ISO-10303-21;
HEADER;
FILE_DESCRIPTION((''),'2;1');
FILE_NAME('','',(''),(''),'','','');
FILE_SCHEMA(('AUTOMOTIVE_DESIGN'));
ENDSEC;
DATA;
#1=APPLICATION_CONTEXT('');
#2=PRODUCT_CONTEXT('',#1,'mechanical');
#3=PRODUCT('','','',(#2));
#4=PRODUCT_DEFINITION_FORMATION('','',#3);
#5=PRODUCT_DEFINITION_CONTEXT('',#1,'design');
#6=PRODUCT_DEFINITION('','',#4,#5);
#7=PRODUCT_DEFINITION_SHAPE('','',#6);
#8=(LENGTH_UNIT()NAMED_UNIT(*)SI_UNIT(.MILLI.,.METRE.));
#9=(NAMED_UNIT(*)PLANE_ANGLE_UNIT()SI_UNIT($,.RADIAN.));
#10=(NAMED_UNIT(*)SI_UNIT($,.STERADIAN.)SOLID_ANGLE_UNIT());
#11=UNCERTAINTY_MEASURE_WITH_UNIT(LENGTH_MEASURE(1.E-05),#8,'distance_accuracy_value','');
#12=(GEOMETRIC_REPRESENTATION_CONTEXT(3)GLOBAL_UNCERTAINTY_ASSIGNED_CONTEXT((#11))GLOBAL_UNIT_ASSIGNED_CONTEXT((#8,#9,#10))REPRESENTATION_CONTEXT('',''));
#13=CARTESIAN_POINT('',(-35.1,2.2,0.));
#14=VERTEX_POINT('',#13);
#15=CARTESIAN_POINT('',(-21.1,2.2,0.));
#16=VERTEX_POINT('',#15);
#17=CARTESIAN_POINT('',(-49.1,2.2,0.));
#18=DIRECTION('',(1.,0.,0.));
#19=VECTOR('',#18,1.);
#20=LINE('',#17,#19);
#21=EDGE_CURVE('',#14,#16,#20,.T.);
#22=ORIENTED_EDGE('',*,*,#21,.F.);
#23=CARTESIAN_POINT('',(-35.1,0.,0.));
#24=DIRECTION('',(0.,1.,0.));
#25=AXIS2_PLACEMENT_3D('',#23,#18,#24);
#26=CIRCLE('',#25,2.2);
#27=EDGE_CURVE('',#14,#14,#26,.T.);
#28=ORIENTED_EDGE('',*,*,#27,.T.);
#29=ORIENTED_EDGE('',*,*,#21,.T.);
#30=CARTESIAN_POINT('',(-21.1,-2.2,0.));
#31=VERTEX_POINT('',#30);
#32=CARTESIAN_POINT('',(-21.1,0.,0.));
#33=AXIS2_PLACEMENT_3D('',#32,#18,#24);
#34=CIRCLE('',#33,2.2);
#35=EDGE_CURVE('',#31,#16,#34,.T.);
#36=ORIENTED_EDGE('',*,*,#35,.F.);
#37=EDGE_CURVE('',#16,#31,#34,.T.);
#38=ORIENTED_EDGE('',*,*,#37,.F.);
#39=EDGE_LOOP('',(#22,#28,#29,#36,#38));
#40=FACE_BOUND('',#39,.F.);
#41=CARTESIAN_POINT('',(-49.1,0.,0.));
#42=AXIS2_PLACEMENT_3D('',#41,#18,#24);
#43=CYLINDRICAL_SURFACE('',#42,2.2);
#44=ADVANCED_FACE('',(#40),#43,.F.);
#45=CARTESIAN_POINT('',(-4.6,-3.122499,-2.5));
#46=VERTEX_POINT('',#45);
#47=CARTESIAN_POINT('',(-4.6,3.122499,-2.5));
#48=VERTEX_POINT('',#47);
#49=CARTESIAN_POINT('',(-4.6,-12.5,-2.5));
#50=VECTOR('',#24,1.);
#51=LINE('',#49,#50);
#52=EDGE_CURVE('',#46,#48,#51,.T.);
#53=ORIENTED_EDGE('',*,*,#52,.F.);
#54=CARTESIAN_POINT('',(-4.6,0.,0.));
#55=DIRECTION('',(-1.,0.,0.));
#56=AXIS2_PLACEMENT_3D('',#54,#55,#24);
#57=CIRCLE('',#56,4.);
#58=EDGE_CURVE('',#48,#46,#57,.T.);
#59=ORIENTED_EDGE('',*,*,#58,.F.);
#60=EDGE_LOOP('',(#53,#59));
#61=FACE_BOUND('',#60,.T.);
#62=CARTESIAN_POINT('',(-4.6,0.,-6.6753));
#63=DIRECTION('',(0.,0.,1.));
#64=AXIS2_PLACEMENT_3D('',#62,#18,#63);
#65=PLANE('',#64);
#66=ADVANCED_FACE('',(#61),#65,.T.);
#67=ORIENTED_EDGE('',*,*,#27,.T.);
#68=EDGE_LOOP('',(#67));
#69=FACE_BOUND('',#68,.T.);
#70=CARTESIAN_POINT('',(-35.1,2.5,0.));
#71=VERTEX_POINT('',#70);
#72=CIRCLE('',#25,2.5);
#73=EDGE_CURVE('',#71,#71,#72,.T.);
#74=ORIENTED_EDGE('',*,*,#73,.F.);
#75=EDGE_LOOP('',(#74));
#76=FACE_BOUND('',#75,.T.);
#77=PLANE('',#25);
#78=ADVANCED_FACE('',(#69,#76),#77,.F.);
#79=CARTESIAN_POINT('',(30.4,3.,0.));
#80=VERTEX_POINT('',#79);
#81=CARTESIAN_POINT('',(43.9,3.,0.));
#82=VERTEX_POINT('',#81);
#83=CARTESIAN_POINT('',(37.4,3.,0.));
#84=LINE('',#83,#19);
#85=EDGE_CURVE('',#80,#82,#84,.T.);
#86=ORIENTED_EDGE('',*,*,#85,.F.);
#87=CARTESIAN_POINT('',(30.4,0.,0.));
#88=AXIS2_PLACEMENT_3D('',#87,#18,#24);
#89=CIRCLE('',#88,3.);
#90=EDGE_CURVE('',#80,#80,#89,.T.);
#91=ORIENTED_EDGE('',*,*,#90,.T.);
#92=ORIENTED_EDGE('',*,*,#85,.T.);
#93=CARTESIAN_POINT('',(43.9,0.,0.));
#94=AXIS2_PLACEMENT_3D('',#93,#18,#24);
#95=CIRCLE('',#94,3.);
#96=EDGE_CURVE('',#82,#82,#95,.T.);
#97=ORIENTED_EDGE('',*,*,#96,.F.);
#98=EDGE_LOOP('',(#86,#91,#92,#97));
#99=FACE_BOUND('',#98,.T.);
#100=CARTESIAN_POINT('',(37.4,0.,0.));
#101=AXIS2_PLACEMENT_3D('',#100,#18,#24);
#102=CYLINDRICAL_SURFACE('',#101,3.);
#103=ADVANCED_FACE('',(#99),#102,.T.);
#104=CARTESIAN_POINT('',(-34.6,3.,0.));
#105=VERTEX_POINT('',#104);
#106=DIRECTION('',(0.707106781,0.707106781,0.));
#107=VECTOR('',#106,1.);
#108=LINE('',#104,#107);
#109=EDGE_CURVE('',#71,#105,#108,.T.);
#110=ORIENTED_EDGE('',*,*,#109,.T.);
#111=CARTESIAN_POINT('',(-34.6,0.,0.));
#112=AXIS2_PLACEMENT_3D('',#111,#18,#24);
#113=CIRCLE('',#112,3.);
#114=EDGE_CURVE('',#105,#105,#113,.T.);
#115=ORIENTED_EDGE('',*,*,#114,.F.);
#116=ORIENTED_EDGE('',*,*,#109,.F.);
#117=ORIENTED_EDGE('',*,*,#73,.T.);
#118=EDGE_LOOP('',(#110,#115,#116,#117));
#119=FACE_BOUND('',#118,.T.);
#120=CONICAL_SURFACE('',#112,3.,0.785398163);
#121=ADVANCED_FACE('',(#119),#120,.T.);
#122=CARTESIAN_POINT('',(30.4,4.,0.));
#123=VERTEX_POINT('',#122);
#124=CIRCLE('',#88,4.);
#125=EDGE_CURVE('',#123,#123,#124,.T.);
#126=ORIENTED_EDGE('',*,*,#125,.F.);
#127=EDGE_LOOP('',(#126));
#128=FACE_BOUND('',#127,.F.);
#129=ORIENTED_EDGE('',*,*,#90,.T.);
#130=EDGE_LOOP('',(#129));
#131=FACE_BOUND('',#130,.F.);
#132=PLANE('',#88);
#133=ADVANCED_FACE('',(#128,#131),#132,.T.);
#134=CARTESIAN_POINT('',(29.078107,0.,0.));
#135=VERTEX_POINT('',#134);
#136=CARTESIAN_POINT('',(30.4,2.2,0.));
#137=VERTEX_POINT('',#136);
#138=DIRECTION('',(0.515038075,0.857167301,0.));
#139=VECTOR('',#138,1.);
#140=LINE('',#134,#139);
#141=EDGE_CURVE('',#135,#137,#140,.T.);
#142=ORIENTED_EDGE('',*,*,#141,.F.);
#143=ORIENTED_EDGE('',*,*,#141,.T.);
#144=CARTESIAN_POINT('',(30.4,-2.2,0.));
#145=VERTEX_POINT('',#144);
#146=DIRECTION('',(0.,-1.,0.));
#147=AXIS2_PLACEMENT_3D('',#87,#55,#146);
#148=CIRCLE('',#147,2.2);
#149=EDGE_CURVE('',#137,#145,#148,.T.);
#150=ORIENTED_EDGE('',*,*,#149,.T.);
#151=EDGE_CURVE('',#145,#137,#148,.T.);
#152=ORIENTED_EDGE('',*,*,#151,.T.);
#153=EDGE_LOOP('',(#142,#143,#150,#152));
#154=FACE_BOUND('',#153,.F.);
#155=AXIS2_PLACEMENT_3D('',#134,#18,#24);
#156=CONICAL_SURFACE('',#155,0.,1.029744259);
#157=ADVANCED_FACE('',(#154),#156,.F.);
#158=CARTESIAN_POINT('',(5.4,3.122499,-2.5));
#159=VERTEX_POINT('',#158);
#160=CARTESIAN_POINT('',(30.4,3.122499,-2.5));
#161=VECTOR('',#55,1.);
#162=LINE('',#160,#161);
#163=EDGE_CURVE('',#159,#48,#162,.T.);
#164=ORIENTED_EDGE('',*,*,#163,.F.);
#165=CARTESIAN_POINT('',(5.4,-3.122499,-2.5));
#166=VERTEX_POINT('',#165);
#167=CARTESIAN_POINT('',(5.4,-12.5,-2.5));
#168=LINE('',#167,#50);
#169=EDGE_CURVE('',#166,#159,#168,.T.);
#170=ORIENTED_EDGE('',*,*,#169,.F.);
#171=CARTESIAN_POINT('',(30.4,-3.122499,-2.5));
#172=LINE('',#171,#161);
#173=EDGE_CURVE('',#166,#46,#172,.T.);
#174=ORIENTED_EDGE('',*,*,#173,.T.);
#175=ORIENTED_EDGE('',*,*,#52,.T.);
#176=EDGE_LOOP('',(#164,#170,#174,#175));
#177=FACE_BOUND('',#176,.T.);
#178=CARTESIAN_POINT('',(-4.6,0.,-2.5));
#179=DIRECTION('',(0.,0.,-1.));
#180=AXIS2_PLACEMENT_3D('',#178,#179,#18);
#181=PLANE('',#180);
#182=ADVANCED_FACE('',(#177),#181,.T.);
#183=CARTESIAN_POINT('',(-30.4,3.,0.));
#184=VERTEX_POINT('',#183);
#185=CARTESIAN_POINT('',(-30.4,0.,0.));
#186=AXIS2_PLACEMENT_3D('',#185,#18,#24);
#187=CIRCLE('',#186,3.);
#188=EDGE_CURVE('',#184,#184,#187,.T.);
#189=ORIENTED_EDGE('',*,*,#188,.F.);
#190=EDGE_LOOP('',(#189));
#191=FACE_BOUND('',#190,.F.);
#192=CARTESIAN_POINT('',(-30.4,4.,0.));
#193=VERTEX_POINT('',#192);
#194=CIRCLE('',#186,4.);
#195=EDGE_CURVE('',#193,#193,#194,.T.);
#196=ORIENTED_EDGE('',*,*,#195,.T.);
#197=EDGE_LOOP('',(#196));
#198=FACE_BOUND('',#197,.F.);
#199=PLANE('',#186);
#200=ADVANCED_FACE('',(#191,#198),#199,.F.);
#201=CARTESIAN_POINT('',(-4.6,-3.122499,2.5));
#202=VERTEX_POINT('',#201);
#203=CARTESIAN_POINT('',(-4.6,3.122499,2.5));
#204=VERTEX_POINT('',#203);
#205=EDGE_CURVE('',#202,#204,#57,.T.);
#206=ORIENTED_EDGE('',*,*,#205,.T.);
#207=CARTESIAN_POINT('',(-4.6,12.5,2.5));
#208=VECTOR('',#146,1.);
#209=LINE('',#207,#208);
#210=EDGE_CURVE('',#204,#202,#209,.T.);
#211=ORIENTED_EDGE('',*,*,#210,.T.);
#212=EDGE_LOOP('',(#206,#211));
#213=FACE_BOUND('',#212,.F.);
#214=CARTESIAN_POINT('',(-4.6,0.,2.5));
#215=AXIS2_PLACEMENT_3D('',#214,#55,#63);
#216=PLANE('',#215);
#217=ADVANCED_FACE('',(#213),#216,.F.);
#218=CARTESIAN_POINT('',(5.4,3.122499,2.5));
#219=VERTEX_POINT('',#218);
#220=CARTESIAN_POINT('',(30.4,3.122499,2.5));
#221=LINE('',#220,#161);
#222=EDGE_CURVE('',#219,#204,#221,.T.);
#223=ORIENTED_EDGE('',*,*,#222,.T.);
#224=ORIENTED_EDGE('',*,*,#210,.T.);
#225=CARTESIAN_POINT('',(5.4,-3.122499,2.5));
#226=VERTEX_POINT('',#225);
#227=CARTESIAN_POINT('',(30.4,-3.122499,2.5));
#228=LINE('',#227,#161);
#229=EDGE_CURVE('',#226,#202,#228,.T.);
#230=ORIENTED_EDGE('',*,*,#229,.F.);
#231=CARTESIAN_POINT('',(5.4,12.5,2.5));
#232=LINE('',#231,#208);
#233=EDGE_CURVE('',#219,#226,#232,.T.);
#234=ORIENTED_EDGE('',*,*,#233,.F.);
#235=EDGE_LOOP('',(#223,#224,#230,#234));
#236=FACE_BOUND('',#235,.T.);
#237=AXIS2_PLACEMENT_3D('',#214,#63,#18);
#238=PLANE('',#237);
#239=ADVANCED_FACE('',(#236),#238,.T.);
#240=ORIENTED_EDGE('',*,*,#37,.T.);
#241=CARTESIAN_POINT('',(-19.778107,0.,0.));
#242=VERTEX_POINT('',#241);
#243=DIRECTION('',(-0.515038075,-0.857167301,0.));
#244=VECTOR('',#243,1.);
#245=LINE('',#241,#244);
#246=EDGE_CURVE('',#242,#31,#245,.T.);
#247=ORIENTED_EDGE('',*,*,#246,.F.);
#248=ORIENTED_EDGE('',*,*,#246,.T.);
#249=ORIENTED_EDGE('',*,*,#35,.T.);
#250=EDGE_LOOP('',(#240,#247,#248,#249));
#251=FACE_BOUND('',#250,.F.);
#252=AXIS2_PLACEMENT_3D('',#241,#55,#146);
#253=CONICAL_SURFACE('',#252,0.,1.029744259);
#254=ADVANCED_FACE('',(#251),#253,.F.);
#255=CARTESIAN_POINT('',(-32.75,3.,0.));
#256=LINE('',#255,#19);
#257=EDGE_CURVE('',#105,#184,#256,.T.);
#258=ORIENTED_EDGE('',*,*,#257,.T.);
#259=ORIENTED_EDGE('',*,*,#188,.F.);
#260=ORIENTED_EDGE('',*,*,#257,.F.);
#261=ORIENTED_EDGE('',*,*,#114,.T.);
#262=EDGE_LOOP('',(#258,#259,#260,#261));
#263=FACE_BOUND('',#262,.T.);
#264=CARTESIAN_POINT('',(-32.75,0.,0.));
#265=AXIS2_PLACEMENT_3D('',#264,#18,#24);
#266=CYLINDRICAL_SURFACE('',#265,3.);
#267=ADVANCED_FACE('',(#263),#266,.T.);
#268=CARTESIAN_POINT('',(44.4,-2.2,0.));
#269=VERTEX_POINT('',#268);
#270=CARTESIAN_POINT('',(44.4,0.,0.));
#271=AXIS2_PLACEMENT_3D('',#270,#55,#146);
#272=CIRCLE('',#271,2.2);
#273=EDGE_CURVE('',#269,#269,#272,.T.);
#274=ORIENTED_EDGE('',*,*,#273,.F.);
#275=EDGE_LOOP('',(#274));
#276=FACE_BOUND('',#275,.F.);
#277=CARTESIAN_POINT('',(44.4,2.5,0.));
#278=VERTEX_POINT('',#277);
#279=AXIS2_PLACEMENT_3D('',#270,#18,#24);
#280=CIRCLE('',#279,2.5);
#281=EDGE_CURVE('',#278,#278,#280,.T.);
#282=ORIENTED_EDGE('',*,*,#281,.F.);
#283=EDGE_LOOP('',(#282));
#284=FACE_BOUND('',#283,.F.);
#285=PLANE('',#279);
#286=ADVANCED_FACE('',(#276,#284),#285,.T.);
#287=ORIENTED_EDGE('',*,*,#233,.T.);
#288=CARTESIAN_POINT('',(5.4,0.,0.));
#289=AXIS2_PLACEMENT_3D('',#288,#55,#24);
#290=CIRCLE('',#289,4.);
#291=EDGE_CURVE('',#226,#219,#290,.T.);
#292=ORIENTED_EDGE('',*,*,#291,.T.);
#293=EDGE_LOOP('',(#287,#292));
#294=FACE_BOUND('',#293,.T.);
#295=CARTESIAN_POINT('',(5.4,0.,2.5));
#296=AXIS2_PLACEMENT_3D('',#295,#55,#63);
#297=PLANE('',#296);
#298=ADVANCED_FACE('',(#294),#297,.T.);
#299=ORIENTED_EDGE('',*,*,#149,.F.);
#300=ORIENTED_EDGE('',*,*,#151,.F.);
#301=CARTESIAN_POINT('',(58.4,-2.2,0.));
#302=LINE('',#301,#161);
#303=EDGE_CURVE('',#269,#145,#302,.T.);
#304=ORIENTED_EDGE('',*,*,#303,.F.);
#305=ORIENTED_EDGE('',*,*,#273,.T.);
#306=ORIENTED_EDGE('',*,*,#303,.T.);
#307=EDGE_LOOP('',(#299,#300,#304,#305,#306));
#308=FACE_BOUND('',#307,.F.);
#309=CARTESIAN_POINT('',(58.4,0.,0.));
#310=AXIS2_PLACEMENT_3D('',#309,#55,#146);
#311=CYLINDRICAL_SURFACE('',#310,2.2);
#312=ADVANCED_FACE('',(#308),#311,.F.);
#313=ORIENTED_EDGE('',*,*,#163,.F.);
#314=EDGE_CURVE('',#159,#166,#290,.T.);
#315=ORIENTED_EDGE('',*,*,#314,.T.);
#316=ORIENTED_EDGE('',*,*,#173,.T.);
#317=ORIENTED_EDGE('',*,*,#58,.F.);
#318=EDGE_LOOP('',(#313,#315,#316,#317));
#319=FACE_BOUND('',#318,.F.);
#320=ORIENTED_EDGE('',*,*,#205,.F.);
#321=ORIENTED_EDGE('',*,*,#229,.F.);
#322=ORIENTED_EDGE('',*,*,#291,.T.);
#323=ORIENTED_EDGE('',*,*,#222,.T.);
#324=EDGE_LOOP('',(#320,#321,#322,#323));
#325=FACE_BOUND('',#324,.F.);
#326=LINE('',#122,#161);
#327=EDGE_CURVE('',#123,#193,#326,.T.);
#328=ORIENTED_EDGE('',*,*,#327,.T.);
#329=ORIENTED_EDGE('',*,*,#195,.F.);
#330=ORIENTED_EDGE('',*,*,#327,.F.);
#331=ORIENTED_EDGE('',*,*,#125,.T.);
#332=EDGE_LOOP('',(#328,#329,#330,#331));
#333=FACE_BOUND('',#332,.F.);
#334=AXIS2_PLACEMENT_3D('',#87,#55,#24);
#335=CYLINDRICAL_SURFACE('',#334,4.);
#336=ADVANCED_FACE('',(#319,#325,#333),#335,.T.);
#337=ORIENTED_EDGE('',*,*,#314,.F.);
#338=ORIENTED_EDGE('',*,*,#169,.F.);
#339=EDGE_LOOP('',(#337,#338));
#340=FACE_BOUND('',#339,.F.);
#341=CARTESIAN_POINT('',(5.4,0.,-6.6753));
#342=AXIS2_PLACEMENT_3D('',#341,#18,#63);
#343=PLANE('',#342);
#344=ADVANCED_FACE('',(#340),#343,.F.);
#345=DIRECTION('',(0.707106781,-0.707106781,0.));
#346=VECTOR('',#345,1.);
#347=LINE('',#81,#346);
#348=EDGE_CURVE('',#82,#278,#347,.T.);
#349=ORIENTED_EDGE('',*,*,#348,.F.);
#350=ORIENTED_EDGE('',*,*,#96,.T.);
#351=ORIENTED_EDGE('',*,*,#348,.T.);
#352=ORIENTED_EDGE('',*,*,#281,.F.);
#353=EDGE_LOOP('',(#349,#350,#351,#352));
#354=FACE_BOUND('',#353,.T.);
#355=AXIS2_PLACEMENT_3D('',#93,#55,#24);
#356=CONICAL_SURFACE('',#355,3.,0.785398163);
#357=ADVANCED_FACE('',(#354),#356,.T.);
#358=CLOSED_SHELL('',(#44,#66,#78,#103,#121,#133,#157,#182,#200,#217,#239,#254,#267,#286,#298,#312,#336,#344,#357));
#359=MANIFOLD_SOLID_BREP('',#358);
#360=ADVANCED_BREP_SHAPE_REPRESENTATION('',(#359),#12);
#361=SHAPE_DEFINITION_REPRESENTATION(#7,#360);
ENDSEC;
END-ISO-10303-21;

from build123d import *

# Parameters (mm, degrees)
F0_W     = 4.7
F0_H     = 3
F0_W_2   = 14
F2_W     = 10
F2_H     = 4.175300472
F3_DEPTH = 12.5
F5_D     = 4.4
F5_DEPTH = 14
F5_TIP   = 1.3218933619
F7_D     = 4.4
F7_DEPTH = 14
F7_TIP   = 1.3218933619
F8_SIZE  = 0.5


with BuildPart() as f1:
    # F0 (on Top) → F1 (revolve)
    with BuildSketch(Plane.XY):
        with Locations((-32.75, 1.5)):
            Rectangle(F0_W, F0_H)
        Polygon((30.4, 3), (30.4, 4), (-30.4, 4), (-30.4, 3), (-30.4, 0), (30.4, 0), align=None)
        with Locations((37.4, 1.5)):
            Rectangle(F0_W_2, F0_H)
    revolve(axis=Axis((3.1452495605, 0, 0), (1, 0, 0)))

    # F2 (on Front) → F3 (cut, symmetric)
    with BuildSketch(Plane.XZ):
        with Locations((0.4, 4.587650236)):
            Rectangle(F2_W, F2_H)
        with Locations((0.4, -4.587650236)):
            Rectangle(F2_W, F2_H)
    extrude(amount=F3_DEPTH, both=True, mode=Mode.SUBTRACT)

    # F5
    with Locations(Plane.YZ.offset(44.4)):
        with Locations((0, 0)):
            Hole(F5_D / 2, depth=F5_DEPTH)
            with Locations((0, 0, -(F5_DEPTH + F5_TIP / 2))):  # 118° drill point
                Cone(0, F5_D / 2, F5_TIP, mode=Mode.SUBTRACT)

    # F7
    with Locations(Plane(origin=(-35.1, 0, 0), x_dir=(0, -1, 0), z_dir=(-1, 0, 0))):
        with Locations((0, 0)):
            Hole(F7_D / 2, depth=F7_DEPTH)
            with Locations((0, 0, -(F7_DEPTH + F7_TIP / 2))):  # 118° drill point
                Cone(0, F7_D / 2, F7_TIP, mode=Mode.SUBTRACT)

    # F8
    f8_edges = [f1.edges().sort_by_distance(p)[0] for p in [
        (-35.1, -3, 0),
        (44.4, -3, 0),
    ]]
    chamfer(f8_edges, length=F8_SIZE)


solid = f1.part
